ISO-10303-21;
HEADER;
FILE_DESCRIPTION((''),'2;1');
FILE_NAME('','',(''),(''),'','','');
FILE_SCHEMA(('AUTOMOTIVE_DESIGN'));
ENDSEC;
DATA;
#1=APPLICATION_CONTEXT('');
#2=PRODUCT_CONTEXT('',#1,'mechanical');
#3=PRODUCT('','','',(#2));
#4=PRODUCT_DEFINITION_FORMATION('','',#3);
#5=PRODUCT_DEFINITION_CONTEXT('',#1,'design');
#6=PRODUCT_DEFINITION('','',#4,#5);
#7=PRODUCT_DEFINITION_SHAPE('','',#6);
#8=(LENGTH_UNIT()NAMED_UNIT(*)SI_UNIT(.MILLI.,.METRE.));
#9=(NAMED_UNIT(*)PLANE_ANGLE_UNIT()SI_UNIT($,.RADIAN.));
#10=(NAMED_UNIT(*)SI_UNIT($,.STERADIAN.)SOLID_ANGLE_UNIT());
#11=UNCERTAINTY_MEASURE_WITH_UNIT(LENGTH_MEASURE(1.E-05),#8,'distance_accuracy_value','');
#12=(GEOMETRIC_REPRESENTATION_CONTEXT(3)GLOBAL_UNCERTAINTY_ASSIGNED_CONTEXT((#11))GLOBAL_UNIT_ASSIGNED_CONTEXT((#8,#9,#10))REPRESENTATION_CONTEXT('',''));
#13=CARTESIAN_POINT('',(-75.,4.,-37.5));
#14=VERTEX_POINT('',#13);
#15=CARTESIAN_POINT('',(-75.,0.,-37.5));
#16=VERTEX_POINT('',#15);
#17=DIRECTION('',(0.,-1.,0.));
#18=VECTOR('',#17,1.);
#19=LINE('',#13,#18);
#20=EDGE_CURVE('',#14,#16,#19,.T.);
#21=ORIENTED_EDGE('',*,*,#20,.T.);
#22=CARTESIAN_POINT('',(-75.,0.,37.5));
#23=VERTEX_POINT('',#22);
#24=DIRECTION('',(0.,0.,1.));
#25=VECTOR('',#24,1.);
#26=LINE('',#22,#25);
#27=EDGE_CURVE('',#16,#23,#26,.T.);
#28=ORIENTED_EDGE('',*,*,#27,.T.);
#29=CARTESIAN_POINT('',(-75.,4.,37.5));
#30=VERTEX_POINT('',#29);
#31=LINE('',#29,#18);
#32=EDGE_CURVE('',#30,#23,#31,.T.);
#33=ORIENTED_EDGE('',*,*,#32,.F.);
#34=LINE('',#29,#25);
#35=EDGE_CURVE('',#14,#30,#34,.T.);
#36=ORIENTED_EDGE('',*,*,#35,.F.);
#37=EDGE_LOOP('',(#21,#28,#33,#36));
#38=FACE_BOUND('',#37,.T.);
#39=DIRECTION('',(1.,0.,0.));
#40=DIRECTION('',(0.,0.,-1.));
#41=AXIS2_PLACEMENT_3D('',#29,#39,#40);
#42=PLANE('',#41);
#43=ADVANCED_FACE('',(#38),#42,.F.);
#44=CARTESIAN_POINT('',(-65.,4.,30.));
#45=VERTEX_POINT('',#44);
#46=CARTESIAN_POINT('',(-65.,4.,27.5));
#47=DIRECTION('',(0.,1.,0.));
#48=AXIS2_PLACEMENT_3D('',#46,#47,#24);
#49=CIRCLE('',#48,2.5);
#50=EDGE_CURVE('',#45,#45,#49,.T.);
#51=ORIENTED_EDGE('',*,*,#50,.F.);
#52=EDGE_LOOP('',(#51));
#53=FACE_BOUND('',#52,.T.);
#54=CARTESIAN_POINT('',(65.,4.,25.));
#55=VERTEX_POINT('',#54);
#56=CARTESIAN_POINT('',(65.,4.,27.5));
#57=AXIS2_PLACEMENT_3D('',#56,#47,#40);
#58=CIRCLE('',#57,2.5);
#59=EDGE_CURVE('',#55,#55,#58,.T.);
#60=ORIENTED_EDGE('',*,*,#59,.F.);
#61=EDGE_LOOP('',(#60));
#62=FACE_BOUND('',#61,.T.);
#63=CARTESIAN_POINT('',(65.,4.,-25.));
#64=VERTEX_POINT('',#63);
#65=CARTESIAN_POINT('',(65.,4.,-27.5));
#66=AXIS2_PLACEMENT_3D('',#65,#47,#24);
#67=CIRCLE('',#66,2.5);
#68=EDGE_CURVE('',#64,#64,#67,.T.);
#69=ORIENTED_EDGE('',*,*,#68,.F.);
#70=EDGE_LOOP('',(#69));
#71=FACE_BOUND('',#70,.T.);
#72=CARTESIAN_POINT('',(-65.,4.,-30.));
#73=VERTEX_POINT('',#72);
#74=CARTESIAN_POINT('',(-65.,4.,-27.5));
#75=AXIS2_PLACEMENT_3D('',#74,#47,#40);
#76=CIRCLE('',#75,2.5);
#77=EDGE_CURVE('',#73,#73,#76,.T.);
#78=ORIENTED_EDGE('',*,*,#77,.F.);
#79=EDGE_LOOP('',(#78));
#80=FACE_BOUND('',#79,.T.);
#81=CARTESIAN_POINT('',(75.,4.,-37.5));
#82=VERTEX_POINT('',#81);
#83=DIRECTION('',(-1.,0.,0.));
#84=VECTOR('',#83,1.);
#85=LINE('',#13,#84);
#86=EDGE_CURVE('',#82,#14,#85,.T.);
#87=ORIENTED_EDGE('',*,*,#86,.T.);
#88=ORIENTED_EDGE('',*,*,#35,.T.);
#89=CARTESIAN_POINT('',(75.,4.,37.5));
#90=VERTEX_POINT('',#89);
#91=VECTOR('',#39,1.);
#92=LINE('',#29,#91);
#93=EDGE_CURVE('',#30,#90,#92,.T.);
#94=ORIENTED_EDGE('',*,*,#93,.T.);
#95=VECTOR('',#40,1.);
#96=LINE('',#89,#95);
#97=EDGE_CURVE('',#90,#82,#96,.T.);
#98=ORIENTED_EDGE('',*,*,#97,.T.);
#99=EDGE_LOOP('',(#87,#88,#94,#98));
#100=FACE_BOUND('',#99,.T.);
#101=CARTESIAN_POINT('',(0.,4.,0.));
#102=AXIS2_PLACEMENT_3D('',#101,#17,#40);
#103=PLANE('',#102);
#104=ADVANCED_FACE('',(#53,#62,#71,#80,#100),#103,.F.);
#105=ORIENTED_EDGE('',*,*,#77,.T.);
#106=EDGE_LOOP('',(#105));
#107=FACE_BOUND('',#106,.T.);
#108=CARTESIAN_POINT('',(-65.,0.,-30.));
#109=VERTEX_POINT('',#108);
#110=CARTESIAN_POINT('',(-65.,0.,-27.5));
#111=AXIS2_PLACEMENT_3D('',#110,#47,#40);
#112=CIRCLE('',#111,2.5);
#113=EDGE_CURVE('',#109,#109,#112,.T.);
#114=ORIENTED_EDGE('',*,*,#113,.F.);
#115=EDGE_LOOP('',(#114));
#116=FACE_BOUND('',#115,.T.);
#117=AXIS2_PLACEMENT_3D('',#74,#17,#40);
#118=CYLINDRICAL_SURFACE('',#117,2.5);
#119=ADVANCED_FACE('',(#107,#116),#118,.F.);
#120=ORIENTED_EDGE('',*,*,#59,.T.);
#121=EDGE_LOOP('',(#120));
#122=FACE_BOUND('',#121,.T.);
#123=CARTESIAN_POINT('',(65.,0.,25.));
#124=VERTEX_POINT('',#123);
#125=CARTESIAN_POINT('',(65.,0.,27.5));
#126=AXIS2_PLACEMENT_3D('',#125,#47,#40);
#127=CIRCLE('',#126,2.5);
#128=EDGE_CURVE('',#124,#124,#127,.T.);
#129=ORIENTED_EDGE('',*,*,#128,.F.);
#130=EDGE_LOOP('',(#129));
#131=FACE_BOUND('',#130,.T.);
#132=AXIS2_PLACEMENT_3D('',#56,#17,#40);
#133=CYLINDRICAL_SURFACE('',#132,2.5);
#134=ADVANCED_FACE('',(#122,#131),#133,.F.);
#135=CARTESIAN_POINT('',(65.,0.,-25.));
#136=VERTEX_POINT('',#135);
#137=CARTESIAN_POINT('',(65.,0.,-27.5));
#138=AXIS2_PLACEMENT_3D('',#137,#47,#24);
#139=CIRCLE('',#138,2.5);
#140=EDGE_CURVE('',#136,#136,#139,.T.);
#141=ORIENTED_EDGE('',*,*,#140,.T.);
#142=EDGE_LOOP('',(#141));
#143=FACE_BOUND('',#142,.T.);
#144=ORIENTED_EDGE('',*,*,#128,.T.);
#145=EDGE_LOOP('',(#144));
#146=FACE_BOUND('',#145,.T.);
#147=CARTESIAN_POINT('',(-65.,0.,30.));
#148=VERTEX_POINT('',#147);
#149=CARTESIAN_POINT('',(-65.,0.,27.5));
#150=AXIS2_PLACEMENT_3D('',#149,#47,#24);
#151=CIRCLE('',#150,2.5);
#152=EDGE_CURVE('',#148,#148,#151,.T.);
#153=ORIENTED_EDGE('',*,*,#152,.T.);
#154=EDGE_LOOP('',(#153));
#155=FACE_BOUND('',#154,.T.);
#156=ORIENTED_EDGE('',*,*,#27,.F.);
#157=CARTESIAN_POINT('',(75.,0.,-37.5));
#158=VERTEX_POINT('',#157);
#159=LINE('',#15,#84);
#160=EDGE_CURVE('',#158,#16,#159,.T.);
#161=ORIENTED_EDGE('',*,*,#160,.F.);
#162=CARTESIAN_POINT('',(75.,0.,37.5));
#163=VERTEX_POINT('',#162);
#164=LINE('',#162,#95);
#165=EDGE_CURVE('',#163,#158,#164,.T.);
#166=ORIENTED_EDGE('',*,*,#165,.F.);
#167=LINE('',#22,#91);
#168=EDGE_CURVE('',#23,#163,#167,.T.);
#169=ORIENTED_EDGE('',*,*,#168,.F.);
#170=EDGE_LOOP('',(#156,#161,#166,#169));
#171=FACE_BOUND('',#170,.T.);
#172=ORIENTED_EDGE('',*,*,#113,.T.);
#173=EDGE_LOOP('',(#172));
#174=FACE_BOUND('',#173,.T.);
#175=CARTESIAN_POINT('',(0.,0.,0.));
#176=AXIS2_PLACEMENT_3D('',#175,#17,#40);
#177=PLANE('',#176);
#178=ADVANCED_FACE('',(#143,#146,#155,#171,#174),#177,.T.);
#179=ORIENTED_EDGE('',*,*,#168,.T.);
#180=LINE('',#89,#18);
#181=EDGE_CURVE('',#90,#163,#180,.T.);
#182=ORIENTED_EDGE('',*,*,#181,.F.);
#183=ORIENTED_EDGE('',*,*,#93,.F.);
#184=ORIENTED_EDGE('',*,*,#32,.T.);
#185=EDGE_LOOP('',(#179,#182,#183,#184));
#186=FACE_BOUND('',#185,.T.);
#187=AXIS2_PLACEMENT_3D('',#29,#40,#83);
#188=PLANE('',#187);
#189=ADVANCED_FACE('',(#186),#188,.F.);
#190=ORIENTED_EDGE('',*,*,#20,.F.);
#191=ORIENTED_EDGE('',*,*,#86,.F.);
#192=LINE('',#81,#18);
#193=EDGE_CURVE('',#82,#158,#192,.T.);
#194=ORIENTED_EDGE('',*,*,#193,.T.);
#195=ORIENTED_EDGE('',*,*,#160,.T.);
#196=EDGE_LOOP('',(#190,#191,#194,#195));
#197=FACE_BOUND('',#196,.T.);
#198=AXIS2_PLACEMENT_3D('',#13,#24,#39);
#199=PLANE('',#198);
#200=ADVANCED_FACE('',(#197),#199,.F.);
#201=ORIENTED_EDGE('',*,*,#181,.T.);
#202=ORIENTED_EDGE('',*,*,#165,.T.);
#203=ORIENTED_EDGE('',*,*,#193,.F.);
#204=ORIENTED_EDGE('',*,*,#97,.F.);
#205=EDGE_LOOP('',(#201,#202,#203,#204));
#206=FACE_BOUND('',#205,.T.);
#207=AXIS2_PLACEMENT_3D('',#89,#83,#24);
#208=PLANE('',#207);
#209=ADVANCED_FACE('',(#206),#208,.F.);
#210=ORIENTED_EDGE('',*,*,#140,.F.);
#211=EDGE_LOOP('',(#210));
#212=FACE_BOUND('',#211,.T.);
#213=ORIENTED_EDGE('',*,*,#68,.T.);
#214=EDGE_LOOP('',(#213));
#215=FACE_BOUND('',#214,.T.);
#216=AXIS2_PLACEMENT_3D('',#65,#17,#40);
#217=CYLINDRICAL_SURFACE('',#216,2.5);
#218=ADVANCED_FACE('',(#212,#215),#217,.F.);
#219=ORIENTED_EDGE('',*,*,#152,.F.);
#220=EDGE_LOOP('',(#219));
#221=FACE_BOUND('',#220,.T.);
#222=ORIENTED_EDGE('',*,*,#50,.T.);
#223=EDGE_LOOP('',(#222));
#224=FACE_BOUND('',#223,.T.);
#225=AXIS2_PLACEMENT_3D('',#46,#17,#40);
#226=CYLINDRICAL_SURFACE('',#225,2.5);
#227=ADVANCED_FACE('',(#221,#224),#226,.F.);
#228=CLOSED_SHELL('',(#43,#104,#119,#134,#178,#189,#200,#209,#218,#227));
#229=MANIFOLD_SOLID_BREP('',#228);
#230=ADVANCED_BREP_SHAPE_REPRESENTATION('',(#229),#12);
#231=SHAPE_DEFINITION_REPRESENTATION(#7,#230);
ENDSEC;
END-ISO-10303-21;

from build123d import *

# Parameters (mm, degrees)
SKETCH1_W           = 150
SKETCH1_H           = 75
SKETCH1_R           = 2.5
BOSS_EXTRUDE1_DEPTH = 4


with BuildPart() as part:
    # Sketch1 → Boss-Extrude1 (new body)
    with BuildSketch(Plane(origin=(0, 0, 0), x_dir=(1, 0, 0), z_dir=(0, 1, 0))):
        Rectangle(SKETCH1_W, SKETCH1_H)
        with Locations((-65, -27.5)):
            Circle(SKETCH1_R, mode=Mode.SUBTRACT)
        with Locations((-65, 27.5)):
            Circle(SKETCH1_R, mode=Mode.SUBTRACT)
        with Locations((65, -27.5)):
            Circle(SKETCH1_R, mode=Mode.SUBTRACT)
        with Locations((65, 27.5)):
            Circle(SKETCH1_R, mode=Mode.SUBTRACT)
    extrude(amount=BOSS_EXTRUDE1_DEPTH)


solid = part.part
